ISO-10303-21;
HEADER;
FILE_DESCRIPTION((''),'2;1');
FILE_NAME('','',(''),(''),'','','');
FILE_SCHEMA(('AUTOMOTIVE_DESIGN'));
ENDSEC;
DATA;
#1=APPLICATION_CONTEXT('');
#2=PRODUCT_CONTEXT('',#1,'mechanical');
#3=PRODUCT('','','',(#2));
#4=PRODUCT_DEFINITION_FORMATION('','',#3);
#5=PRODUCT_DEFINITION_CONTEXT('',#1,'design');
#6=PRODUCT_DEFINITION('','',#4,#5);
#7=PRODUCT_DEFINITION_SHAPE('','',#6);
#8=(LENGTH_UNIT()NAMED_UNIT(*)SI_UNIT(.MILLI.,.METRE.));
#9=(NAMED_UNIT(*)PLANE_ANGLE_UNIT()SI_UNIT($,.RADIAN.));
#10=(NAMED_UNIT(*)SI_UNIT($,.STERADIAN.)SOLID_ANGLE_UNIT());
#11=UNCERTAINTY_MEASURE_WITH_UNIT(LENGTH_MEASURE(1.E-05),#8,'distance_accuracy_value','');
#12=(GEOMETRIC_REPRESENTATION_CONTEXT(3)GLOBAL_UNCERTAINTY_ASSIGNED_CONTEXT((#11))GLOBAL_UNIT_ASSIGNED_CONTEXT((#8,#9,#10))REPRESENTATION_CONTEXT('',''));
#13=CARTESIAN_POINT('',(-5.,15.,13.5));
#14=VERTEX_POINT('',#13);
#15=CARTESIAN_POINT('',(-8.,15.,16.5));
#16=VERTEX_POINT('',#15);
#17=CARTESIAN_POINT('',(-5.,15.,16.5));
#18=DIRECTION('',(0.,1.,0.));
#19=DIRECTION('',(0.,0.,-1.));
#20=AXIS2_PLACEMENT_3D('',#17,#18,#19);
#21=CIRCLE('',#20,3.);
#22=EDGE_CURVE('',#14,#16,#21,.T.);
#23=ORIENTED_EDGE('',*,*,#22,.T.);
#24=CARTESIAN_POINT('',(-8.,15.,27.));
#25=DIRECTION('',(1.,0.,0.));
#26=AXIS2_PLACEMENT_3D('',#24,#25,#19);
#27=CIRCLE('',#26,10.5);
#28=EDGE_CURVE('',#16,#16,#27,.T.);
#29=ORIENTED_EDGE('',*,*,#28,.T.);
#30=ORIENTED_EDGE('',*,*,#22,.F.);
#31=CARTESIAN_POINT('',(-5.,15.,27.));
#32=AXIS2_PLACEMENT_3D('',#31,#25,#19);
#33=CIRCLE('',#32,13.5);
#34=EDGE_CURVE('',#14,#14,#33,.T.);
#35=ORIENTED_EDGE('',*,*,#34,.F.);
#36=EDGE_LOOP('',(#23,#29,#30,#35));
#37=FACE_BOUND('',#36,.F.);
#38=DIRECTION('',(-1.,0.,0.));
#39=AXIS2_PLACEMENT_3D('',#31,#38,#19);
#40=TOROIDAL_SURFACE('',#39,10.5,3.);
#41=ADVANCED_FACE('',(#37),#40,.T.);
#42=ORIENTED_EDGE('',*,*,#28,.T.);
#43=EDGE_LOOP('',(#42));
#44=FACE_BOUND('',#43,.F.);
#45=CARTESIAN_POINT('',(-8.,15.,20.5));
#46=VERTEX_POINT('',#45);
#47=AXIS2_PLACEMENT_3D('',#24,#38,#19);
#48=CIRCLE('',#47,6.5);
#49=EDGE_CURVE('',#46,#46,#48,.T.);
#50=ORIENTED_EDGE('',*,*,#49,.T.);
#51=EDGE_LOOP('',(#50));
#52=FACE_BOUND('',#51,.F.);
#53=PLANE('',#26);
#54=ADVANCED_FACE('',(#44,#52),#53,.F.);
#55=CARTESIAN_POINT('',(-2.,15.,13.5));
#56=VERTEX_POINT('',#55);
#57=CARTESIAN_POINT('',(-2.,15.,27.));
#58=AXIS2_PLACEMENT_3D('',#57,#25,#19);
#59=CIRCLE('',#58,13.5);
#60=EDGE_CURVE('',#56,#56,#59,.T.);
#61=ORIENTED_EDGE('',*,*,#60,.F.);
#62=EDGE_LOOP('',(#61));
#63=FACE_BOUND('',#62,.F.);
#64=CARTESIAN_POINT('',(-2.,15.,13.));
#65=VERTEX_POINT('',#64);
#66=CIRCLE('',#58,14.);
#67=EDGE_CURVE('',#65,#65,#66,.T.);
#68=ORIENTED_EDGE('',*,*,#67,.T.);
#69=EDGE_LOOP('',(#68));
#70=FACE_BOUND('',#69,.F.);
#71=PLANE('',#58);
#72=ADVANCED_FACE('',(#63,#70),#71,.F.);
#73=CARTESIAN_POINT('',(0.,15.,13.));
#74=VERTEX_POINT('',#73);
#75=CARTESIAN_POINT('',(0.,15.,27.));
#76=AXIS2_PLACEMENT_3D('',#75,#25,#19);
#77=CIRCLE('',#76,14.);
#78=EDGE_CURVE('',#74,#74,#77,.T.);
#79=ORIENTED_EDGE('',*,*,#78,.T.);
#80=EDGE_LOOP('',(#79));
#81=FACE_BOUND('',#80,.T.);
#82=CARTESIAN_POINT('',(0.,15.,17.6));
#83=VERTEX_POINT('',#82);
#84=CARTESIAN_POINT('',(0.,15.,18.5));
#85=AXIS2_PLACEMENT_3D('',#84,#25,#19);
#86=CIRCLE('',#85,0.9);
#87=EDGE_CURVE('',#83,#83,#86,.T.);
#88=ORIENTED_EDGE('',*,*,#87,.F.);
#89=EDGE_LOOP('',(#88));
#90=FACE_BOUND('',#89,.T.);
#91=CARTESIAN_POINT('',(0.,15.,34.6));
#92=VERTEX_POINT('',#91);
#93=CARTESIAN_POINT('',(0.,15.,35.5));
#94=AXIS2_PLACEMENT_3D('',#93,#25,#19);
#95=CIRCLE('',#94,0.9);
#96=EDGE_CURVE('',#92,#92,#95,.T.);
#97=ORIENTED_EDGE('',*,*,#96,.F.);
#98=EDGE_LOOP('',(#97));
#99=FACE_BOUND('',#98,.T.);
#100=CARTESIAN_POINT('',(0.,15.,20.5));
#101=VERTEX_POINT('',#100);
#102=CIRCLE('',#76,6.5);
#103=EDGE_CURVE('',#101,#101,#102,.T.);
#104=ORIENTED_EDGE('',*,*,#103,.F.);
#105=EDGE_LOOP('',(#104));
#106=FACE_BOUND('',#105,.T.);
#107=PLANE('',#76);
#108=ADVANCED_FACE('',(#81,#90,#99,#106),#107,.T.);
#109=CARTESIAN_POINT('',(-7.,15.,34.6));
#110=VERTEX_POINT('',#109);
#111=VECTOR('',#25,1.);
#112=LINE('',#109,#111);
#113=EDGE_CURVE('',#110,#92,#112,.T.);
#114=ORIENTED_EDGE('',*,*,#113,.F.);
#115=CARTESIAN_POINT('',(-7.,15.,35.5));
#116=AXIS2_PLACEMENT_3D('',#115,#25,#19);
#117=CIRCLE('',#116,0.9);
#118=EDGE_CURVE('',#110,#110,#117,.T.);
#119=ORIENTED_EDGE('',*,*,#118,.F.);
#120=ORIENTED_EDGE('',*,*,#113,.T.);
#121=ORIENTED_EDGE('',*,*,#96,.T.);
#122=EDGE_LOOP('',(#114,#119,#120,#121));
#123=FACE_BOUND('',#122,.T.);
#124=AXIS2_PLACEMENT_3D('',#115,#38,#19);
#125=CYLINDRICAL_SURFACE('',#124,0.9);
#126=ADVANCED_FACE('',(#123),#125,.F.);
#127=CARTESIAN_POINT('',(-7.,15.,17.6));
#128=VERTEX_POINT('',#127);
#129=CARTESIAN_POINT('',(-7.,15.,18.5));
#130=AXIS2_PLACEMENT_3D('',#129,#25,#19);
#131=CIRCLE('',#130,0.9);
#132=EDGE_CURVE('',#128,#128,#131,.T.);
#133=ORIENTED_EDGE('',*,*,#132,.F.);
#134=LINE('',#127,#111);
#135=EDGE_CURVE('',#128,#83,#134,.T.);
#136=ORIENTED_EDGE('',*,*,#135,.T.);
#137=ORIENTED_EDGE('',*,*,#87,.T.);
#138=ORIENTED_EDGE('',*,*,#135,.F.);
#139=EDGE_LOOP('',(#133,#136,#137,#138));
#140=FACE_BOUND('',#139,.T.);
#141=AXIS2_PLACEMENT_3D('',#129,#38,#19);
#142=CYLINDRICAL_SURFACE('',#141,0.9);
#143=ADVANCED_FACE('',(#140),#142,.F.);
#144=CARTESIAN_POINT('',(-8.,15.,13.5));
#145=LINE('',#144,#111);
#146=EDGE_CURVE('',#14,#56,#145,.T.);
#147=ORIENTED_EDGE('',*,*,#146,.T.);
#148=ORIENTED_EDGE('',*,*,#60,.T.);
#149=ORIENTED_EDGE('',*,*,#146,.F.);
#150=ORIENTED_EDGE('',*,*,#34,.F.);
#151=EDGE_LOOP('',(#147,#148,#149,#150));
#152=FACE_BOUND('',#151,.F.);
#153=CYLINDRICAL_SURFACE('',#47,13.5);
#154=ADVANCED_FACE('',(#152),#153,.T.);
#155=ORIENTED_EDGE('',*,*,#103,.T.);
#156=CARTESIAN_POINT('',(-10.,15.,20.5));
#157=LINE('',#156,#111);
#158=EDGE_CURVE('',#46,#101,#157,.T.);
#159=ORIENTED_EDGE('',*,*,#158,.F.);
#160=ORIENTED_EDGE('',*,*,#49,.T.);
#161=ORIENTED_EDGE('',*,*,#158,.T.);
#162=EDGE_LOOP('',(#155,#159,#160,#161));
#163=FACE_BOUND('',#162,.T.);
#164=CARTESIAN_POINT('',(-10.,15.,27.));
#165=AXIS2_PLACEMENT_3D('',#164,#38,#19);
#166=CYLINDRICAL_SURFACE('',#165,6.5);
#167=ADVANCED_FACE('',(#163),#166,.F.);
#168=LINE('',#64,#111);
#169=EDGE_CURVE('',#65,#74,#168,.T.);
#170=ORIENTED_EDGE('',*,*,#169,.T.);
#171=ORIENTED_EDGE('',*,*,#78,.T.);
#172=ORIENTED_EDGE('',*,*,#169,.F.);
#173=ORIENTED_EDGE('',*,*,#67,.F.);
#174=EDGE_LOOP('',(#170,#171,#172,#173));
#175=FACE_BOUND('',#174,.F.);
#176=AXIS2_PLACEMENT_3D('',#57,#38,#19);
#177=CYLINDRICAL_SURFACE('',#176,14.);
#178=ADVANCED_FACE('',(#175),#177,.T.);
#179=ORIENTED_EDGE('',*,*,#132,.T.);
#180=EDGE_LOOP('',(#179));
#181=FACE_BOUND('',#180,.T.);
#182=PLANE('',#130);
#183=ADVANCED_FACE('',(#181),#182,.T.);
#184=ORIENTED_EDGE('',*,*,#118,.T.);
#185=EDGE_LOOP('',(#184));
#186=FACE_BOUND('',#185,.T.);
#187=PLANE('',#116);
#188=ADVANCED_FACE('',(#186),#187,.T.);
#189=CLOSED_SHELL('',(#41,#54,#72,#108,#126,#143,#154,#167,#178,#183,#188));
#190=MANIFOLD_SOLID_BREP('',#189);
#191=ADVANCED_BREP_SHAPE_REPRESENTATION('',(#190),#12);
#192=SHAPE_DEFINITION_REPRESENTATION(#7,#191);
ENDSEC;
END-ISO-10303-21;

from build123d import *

# Parameters (mm, degrees)
CYLINDER055_R           = 6.5
CYLINDER055_DEPTH       = 10
CYLINDER055_PITCH_ANGLE = 90
CYLINDER108_R           = 0.9
CYLINDER108_DEPTH       = 7
CYLINDER108_PITCH_ANGLE = 90
CYLINDER107_R           = 0.9
CYLINDER107_DEPTH       = 7
CYLINDER107_PITCH_ANGLE = 90
CYLINDER058_R           = 13.5
CYLINDER058_DEPTH       = 6
CYLINDER058_PITCH_ANGLE = 90
CYLINDER011_R           = 14
CYLINDER011_DEPTH       = 2
CYLINDER011_PITCH_ANGLE = 90
FILLET038_R             = 3


with BuildPart() as cylinder055:
    # Cylinder055 → Cylinder055 (new body)
    with BuildSketch(Plane.XY):
        Circle(CYLINDER055_R)
    extrude(amount=CYLINDER055_DEPTH)


with BuildPart() as cylinder055_1:
    # Cylinder055 pitch: moved
    add(cylinder055.part.rotate(Axis((0, 0, 0), (0, 1, 0)), CYLINDER055_PITCH_ANGLE))


with BuildPart() as cylinder055_2:
    # Cylinder055 placement: moved
    add(cylinder055_1.part.moved(Location((-10, 15, 27))))


with BuildPart() as cylinder108:
    # Cylinder108 → Cylinder108 (new body)
    with BuildSketch(Plane.XY):
        Circle(CYLINDER108_R)
    extrude(amount=CYLINDER108_DEPTH)


with BuildPart() as cylinder108_1:
    # Cylinder108 pitch: moved
    add(cylinder108.part.rotate(Axis((0, 0, 0), (0, 1, 0)), CYLINDER108_PITCH_ANGLE))


with BuildPart() as cylinder108_2:
    # Cylinder108 placement: moved
    add(cylinder108_1.part.moved(Location((-7, 15, 35.5))))


with BuildPart() as fusion056:
    # Cylinder107 → Cylinder107 (new body)
    with BuildSketch(Plane.XY):
        Circle(CYLINDER107_R)
    extrude(amount=CYLINDER107_DEPTH)


with BuildPart() as fusion056_1:
    # Cylinder107 pitch: moved
    add(fusion056.part.rotate(Axis((0, 0, 0), (0, 1, 0)), CYLINDER107_PITCH_ANGLE))


with BuildPart() as fusion056_2:
    # Cylinder107 placement: moved
    add(fusion056_1.part.moved(Location((-7, 15, 18.5))))

    # Fusion056: union Cylinder055, Cylinder108
    add(cylinder055_2.part)
    add(cylinder108_2.part)


with BuildPart() as cylinder058:
    # Cylinder058 → Cylinder058 (new body)
    with BuildSketch(Plane.XY):
        Circle(CYLINDER058_R)
    extrude(amount=CYLINDER058_DEPTH)


with BuildPart() as cylinder058_1:
    # Cylinder058 pitch: moved
    add(cylinder058.part.rotate(Axis((0, 0, 0), (0, 1, 0)), CYLINDER058_PITCH_ANGLE))


with BuildPart() as cylinder058_2:
    # Cylinder058 placement: moved
    add(cylinder058_1.part.moved(Location((-8, 15, 27))))


with BuildPart() as clutch_part:
    # Cylinder011 → Cylinder011 (new body)
    with BuildSketch(Plane.XY):
        Circle(CYLINDER011_R)
    extrude(amount=CYLINDER011_DEPTH)


with BuildPart() as clutch_part_1:
    # Cylinder011 pitch: moved
    add(clutch_part.part.rotate(Axis((0, 0, 0), (0, 1, 0)), CYLINDER011_PITCH_ANGLE))


with BuildPart() as clutch_part_2:
    # Cylinder011 placement: moved
    add(clutch_part_1.part.moved(Location((-2, 15, 27))))

    # Fusion029: union Cylinder058
    add(cylinder058_2.part)

    # Cut047: cut Fusion056
    add(fusion056_2.part, mode=Mode.SUBTRACT)

    # Fillet038
    fillet038_edges = [clutch_part_2.edges().sort_by_distance(p)[0] for p in [
        (-8, 15, 40.5),
    ]]
    fillet(fillet038_edges, radius=FILLET038_R)


solid = clutch_part_2.part
